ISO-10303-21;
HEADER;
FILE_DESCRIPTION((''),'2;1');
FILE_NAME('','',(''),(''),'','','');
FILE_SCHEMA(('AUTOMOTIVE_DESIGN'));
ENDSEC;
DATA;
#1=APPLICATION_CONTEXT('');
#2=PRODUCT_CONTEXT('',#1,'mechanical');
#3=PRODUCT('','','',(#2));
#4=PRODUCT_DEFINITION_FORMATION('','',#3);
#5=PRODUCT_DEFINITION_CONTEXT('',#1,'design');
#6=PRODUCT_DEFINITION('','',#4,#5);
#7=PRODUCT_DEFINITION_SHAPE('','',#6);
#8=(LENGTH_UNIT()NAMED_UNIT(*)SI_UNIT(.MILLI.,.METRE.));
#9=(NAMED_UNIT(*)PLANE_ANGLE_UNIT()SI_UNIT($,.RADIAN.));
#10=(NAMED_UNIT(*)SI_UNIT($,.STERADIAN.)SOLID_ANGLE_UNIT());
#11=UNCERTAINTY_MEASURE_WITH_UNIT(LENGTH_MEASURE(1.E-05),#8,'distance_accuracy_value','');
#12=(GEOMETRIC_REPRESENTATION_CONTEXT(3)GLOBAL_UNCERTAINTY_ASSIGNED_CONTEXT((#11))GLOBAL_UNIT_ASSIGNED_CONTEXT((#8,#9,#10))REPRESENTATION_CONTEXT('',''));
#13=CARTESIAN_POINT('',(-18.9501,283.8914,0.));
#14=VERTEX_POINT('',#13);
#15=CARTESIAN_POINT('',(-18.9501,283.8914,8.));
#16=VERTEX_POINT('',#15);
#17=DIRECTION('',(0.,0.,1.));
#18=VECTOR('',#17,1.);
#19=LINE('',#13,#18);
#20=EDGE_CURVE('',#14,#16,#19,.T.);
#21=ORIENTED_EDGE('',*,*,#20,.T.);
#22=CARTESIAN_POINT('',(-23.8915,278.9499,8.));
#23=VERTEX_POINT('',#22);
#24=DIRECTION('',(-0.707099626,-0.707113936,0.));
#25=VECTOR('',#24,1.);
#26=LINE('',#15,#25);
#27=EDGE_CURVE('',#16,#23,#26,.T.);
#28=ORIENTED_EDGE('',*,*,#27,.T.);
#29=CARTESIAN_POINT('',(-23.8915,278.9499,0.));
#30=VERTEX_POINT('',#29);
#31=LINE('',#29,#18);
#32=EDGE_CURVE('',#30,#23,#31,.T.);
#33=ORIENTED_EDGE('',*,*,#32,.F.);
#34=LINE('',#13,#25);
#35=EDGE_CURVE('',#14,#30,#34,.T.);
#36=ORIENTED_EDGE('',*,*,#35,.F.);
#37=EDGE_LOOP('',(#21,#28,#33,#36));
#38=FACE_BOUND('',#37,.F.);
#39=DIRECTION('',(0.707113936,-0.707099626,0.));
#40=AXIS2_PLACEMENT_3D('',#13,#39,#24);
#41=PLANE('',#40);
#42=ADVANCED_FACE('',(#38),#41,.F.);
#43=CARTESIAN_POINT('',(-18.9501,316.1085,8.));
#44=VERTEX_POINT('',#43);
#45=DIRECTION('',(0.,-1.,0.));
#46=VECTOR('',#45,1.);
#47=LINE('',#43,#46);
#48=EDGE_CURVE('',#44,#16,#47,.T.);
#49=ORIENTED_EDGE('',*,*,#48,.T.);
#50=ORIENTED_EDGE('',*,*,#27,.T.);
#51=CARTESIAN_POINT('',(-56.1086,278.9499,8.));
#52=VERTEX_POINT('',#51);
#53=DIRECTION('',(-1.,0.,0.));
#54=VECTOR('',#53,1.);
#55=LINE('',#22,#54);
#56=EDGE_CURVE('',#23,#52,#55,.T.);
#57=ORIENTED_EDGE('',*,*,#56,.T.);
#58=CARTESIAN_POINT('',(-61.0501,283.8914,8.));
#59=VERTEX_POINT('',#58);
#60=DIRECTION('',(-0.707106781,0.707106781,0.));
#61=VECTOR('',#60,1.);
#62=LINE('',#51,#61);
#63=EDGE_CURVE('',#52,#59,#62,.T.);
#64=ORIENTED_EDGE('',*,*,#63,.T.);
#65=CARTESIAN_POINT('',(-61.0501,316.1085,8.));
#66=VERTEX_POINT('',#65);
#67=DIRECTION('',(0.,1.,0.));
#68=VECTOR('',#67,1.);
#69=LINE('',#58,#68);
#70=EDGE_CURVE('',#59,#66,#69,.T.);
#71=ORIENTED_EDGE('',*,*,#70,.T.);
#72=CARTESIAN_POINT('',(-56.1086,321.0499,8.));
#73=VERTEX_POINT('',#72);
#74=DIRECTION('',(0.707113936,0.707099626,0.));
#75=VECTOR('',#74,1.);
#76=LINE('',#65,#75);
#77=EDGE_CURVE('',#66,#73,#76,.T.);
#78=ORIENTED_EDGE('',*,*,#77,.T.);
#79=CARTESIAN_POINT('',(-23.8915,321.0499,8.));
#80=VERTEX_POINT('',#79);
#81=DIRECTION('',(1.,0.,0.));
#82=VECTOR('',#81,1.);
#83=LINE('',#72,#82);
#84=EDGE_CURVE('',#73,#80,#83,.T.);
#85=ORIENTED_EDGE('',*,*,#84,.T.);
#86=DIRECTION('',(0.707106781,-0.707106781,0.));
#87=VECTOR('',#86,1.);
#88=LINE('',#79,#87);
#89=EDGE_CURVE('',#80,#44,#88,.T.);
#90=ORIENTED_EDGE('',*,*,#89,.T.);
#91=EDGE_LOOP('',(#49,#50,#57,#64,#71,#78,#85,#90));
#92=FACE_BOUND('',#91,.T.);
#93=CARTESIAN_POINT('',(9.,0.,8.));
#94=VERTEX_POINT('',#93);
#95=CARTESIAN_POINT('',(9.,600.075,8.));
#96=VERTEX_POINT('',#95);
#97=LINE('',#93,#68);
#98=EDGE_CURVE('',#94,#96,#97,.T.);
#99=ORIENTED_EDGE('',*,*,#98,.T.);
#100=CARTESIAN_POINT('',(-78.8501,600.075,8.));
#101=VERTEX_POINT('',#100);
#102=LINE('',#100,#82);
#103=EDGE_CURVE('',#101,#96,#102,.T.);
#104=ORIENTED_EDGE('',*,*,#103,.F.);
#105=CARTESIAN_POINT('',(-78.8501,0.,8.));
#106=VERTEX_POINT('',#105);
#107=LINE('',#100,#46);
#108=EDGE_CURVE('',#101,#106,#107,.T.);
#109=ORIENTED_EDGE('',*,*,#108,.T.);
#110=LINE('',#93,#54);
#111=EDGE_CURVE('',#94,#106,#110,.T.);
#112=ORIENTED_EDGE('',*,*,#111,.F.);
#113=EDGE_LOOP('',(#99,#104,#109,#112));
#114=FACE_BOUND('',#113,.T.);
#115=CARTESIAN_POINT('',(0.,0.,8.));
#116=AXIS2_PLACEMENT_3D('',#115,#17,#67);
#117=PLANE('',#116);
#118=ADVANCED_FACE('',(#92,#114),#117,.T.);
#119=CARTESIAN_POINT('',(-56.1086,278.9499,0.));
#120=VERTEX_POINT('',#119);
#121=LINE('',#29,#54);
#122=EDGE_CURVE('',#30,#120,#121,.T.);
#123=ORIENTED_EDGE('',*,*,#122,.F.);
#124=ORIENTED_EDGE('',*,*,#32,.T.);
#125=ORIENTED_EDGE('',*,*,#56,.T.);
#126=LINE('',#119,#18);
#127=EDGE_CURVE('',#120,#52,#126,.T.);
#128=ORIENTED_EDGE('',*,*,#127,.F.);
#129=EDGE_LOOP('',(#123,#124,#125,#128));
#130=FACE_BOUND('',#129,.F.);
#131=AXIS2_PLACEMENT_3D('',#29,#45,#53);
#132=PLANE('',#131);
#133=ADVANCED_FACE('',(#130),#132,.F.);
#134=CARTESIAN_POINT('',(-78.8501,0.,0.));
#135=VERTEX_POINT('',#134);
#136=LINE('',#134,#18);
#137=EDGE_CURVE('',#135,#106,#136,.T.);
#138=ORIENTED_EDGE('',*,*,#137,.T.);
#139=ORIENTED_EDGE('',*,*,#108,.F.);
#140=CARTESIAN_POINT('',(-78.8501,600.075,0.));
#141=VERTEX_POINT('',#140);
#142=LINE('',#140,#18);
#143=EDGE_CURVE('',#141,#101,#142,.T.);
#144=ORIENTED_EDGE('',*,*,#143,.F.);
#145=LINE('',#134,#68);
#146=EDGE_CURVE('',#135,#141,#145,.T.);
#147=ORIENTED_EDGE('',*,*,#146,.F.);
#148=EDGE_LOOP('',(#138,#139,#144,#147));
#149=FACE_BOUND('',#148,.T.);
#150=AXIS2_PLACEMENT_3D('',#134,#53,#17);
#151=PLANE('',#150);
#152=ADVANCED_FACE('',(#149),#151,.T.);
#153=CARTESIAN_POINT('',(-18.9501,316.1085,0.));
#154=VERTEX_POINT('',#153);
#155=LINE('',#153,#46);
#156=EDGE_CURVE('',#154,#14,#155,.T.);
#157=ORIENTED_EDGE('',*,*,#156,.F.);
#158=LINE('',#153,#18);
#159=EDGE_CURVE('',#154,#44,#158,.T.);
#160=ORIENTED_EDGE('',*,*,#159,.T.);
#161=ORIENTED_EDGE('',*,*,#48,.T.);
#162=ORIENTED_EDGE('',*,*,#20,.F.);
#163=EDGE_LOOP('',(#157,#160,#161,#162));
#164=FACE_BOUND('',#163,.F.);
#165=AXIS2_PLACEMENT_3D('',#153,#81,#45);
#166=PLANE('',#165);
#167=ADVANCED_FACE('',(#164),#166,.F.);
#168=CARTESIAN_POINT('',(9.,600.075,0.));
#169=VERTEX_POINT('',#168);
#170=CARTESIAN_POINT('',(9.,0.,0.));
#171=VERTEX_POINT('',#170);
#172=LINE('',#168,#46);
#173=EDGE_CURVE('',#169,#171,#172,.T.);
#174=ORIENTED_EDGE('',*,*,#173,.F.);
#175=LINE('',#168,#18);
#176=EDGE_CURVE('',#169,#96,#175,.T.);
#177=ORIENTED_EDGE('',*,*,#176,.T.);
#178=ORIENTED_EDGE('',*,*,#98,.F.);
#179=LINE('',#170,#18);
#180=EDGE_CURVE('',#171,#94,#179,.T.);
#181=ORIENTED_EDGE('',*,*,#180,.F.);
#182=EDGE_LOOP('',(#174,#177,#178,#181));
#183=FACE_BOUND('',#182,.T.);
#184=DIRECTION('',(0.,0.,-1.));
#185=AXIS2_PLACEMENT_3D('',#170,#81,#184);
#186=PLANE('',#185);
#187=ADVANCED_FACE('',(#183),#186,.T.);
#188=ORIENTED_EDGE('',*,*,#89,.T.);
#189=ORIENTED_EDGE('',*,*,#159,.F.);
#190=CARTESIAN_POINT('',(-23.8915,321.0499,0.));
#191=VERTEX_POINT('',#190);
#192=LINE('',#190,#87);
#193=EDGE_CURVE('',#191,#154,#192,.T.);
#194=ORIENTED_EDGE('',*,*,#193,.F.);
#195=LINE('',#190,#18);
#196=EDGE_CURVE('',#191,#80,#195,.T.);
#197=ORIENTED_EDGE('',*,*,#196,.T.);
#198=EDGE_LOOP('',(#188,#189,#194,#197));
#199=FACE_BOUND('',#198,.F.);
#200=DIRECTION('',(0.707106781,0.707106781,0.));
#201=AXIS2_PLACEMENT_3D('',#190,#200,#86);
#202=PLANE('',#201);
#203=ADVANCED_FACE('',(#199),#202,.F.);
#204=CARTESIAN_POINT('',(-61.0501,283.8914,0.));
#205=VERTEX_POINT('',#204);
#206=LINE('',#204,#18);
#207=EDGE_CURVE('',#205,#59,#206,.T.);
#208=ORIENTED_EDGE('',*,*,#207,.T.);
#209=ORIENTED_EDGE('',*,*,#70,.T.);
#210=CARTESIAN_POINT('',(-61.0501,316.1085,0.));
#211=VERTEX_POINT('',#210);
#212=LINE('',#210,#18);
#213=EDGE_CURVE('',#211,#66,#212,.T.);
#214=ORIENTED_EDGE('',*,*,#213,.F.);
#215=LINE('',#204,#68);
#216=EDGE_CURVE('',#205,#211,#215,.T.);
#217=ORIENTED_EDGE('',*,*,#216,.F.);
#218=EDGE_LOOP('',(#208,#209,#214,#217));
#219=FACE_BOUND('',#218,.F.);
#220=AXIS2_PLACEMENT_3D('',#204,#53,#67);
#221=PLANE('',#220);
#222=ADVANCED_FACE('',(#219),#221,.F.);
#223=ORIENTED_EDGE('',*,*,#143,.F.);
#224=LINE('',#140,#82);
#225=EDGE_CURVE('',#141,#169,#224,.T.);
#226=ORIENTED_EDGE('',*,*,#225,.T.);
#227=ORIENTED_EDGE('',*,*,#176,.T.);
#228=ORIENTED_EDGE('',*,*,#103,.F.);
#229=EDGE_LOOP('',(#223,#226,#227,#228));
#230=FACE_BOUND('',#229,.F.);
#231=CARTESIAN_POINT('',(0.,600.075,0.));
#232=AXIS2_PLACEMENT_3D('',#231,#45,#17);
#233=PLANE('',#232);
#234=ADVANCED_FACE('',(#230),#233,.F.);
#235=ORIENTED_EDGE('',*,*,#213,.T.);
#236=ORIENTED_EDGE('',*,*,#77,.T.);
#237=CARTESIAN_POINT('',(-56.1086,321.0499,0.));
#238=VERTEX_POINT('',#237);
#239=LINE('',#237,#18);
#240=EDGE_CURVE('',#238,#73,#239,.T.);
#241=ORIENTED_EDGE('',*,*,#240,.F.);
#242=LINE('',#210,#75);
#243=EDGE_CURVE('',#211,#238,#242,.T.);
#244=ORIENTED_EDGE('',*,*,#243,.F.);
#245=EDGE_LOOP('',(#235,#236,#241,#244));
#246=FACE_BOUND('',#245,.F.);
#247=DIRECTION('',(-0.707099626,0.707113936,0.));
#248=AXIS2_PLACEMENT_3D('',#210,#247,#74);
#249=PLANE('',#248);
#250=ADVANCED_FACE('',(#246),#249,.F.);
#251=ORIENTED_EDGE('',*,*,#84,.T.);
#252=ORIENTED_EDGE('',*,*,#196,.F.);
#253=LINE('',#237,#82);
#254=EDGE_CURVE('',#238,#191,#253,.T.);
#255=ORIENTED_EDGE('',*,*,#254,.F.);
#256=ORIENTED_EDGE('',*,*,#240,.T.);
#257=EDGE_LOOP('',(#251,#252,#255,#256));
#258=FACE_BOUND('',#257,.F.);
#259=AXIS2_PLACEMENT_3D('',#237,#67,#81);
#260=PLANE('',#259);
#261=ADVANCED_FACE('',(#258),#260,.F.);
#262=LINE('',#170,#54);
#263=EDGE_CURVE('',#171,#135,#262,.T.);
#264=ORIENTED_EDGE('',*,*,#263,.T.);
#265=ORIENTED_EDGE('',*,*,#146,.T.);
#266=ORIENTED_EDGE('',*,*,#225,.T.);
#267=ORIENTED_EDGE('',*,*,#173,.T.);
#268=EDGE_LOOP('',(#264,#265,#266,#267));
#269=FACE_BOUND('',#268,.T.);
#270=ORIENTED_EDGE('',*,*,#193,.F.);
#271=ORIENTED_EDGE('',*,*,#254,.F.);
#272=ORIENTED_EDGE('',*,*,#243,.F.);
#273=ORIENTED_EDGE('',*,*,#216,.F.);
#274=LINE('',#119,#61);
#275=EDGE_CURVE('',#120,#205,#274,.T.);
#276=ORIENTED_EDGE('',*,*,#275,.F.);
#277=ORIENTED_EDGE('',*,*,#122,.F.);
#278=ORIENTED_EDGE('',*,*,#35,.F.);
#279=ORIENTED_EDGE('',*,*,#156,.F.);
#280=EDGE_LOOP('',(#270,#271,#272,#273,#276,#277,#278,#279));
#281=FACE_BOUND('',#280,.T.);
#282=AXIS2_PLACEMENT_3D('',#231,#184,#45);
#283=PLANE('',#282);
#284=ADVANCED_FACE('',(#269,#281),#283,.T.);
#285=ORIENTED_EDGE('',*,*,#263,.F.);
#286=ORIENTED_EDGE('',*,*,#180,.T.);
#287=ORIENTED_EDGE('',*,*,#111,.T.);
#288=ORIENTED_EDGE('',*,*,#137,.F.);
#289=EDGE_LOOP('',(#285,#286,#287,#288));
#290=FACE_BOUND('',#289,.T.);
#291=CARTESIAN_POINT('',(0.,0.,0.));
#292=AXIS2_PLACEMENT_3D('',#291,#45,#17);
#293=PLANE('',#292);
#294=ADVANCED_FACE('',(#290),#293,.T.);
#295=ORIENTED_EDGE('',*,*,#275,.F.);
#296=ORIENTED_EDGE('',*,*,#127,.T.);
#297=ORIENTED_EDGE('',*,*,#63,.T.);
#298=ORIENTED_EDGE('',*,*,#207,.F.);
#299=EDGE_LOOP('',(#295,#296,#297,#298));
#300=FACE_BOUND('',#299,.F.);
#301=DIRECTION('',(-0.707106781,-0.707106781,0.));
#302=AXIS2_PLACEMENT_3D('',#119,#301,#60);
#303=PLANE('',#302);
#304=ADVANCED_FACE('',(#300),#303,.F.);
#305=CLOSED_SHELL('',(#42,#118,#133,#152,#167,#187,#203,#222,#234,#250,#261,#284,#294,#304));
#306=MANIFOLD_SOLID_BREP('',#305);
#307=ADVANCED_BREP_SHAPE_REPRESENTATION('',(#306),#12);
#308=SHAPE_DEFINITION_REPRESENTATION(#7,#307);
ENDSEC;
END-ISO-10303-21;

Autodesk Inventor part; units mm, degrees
ref_plane "YZ Plane" through (0, 0, 0) normal (1, 0, 0) x (0, 1, 0)
ref_plane "XZ Plane" through (0, 0, 0) normal (0, 1, 0) x (-1, 0, 0)
ref_plane "XY Plane" through (0, 0, 0) normal (0, 0, 1) x (1, 0, 0)
sketch "Sketch1" plane through (0, 0, 0) normal (0, 0, 1) x (1, 0, 0)
  line L0 (0, 0) -> (-69.8501, 0)
  line L1 (-69.8501, 0) -> (-69.8501, 600.075)
  line L2 (-69.8501, 600.075) -> (0, 600.075)
  line L3 (0, 600.075) -> (0, 0)
  line L4 (-56.1086, 321.0499) -> (-23.8915, 321.0499) projected
  line L5 (-23.8915, 321.0499) -> (-18.9501, 316.1085) projected
  line L6 (-18.9501, 316.1085) -> (-18.9501, 283.8914) projected
  line L7 (-61.0501, 316.1085) -> (-56.1086, 321.0499) projected
  line L8 (-61.0501, 283.8914) -> (-61.0501, 316.1085) projected
  line L9 (-56.1086, 278.9499) -> (-61.0501, 283.8914) projected
  line L10 (-23.8915, 278.9499) -> (-56.1086, 278.9499) projected
  line L11 (-18.9501, 283.8914) -> (-23.8915, 278.9499) projected
  dimension "d2" = 8.8
  dimension "d3" = 18.9501
extrude "Extrusion1" add sketch "Sketch1" along normal blind 8
sketch "Sketch2" plane through (-69.8501, 0, 0) normal (-1, 0, 0) x (0, 0, 1)
  line L0 (0, 0) -> (0, 600.075) projected
  line L1 (0, 0) -> (8, 0) projected
  line L2 (8, 600.075) -> (8, 0) projected
  line L3 (0, 600.075) -> (8, 600.075) projected
  point P0 (0, 0)
extrude "Extrusion2" add sketch "Sketch2" along normal blind 9
sketch "Sketch3" plane through (0, 0, 0) normal (1, 0, 0) x (0, 0, -1)
  line L0 (0, 600.075) -> (0, 0) projected
  line L1 (0, 600.075) -> (-8, 600.075) projected
  line L2 (-8, 0) -> (-8, 600.075) projected
  line L3 (0, 0) -> (-8, 0) projected
extrude "Extrusion3" add sketch "Sketch3" along normal blind 9
properties part number "placa spate" material "Wood (Cherry)"
